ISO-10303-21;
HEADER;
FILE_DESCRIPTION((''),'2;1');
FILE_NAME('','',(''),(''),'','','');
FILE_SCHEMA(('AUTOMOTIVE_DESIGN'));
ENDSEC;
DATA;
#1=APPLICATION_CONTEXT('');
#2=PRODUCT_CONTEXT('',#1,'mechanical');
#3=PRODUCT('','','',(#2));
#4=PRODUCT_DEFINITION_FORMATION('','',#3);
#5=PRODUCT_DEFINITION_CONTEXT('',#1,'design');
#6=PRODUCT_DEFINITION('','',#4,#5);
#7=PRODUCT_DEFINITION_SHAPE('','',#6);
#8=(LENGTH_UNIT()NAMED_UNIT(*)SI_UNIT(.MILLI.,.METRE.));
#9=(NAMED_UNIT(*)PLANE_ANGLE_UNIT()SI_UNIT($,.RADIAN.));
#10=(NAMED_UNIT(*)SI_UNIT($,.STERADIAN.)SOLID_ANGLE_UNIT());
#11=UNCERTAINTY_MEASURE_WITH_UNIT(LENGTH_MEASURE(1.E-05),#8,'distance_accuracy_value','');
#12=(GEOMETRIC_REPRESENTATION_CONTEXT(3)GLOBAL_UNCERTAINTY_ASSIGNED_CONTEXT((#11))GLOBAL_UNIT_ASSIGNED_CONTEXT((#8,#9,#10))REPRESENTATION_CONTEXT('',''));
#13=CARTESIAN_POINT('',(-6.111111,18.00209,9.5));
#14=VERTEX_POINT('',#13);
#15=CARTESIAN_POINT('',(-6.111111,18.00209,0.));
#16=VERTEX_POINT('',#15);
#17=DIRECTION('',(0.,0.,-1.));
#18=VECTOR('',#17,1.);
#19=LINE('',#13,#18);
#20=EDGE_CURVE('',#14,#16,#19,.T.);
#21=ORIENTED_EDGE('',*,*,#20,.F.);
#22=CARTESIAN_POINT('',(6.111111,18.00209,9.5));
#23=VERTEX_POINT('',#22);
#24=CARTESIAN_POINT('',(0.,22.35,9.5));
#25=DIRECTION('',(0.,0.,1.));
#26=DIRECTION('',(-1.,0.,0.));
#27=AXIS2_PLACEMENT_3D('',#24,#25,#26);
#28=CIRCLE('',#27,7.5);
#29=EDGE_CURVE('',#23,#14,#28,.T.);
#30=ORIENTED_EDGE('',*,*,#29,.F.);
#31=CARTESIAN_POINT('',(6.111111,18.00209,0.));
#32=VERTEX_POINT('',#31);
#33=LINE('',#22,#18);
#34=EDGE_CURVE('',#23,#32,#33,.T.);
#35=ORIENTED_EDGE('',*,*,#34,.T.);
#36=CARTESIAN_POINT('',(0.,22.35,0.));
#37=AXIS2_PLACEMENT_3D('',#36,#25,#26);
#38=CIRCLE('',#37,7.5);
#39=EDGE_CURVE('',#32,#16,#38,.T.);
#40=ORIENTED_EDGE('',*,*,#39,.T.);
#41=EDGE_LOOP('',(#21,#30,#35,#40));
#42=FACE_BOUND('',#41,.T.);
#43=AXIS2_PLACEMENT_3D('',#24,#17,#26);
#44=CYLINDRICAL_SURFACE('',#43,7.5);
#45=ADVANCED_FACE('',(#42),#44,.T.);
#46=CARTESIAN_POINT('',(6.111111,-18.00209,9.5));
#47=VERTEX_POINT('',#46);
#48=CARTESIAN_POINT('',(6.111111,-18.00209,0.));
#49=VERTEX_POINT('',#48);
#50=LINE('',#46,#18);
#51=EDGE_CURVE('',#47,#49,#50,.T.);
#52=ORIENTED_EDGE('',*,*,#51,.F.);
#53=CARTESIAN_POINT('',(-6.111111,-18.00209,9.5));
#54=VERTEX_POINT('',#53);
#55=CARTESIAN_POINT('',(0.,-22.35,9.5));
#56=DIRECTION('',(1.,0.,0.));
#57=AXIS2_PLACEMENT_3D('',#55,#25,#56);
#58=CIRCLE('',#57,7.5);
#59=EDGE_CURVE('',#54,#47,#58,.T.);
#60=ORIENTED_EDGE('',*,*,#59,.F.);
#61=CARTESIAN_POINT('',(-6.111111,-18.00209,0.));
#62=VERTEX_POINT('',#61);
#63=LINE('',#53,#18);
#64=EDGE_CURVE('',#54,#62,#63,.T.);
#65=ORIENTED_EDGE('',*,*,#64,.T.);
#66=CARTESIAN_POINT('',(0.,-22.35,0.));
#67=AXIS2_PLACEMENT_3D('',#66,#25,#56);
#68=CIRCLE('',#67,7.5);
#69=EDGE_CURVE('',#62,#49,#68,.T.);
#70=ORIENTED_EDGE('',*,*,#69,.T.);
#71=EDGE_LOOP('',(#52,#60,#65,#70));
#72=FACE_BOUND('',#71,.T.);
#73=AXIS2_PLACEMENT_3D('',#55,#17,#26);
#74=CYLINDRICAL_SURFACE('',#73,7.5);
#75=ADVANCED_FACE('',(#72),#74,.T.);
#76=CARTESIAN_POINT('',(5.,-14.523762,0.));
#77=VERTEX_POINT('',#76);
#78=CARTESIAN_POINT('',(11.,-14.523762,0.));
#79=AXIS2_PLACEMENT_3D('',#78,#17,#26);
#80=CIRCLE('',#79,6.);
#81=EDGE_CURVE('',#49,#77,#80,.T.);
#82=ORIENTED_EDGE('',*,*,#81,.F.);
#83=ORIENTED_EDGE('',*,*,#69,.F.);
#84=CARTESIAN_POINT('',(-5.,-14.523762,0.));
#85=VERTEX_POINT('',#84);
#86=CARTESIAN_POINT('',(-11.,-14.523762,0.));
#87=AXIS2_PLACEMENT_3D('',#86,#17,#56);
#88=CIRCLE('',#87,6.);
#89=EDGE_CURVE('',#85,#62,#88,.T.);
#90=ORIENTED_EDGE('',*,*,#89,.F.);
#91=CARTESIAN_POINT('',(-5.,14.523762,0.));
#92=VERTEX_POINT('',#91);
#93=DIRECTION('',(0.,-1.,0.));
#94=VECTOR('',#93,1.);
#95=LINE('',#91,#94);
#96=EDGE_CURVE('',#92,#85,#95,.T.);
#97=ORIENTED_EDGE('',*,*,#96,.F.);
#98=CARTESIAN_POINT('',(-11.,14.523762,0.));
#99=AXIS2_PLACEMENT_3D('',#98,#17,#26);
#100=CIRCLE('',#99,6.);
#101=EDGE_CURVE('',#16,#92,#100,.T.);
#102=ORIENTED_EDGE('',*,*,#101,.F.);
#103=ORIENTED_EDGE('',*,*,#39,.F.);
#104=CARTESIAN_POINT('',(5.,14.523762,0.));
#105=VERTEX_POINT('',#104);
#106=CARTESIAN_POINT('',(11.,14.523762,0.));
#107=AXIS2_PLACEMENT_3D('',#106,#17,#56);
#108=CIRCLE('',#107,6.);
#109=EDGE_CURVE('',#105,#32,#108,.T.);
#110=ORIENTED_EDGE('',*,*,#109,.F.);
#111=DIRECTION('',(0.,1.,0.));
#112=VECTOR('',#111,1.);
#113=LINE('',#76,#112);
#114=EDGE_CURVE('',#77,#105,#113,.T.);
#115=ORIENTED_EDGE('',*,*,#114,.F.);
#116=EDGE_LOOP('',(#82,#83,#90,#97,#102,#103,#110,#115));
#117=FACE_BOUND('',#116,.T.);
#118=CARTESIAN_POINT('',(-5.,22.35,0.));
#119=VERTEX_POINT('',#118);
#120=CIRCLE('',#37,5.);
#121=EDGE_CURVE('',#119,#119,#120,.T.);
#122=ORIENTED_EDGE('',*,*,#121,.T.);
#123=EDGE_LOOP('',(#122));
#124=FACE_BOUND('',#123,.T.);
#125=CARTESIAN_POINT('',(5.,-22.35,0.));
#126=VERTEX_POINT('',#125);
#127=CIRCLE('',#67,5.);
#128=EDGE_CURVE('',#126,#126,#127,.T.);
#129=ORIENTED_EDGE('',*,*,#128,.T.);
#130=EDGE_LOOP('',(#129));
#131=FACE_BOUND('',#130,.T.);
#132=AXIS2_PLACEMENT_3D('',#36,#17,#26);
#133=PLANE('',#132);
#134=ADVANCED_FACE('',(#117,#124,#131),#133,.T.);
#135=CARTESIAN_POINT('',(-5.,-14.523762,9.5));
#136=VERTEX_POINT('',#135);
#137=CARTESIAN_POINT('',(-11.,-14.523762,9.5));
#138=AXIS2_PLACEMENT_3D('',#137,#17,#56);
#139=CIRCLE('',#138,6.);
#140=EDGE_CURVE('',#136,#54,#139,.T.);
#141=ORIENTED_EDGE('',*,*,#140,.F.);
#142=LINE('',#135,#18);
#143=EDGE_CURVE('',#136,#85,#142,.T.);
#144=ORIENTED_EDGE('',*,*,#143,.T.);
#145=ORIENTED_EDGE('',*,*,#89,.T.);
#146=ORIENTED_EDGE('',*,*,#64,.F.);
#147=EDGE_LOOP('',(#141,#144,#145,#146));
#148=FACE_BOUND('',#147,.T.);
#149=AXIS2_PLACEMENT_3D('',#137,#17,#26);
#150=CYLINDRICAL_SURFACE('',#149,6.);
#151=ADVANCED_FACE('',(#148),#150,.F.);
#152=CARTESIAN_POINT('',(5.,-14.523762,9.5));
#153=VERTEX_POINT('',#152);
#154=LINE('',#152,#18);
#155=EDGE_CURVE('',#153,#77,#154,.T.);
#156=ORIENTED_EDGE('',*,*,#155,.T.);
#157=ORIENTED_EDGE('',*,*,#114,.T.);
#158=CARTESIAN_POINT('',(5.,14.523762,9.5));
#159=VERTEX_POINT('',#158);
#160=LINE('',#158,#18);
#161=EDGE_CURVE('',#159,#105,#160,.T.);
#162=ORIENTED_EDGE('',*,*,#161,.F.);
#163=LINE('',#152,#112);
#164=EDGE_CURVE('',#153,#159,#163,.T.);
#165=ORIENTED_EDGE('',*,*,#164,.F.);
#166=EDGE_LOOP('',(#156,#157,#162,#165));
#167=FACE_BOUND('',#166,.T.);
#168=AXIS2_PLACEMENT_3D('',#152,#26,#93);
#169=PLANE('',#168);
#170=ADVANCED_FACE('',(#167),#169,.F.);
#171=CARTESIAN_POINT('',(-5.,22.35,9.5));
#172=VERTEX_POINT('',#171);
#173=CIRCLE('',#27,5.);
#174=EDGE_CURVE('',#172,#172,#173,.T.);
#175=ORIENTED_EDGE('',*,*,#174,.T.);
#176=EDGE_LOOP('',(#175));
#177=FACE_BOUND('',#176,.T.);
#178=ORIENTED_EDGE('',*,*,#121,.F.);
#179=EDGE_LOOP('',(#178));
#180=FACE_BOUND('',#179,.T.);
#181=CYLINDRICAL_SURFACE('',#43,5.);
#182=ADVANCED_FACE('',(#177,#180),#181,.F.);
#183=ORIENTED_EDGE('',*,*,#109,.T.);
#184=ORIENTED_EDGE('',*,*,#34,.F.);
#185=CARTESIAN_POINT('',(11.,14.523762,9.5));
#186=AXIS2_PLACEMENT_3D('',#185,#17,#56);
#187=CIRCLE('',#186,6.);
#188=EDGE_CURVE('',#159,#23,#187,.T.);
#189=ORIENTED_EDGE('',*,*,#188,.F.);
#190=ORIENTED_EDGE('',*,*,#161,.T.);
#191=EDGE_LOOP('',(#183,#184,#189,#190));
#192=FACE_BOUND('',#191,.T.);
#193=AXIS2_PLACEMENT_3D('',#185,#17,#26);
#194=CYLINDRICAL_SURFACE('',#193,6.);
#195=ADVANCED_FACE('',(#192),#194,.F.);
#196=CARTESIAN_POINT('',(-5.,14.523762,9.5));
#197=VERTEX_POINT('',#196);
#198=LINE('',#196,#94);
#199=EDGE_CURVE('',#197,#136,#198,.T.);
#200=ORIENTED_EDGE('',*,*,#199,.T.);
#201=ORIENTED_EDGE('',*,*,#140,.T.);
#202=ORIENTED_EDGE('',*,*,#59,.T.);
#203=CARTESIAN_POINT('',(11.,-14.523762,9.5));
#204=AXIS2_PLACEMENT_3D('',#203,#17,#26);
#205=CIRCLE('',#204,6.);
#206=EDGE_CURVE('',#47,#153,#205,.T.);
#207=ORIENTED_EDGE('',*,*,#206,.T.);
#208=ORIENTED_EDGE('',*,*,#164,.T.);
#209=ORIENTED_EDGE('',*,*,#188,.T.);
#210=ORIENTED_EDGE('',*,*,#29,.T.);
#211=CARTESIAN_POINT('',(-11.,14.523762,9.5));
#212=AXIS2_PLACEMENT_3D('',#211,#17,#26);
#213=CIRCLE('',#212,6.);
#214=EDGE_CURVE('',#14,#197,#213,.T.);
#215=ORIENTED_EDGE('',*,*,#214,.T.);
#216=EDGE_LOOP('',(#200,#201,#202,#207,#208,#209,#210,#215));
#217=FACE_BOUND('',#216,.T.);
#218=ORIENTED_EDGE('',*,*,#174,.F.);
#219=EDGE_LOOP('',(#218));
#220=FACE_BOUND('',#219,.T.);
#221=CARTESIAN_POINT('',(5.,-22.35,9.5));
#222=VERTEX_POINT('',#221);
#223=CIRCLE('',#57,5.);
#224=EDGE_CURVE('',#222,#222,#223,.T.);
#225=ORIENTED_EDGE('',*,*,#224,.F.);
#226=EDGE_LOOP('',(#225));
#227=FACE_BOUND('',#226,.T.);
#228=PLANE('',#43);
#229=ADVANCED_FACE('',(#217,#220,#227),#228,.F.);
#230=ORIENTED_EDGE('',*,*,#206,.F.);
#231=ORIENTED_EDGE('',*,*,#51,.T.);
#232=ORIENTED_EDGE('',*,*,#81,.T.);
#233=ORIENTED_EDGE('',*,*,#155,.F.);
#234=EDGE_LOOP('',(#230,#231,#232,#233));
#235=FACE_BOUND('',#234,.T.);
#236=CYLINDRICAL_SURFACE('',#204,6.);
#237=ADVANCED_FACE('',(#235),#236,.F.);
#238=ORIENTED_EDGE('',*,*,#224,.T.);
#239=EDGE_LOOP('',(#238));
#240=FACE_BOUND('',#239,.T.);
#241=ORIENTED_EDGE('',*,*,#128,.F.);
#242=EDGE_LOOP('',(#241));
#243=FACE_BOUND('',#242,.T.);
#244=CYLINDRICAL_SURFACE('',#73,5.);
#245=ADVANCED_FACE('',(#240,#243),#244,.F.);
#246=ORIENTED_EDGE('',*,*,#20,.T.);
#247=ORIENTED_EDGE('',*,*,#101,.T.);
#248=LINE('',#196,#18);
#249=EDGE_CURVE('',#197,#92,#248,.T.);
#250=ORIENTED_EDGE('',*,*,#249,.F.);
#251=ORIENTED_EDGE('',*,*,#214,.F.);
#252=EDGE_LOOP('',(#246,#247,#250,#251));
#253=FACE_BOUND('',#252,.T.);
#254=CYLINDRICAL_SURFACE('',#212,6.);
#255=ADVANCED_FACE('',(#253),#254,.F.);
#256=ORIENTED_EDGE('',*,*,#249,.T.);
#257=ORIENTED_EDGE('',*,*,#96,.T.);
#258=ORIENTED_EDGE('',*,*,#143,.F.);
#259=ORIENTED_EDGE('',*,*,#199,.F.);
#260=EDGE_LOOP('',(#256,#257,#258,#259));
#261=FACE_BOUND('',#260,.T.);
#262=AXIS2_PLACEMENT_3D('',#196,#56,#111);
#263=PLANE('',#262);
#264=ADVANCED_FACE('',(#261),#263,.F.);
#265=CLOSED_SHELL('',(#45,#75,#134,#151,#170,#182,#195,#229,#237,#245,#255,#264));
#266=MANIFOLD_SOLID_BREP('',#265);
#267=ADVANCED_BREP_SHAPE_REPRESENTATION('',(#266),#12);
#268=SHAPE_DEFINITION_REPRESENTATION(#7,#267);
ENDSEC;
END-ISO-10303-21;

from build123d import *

# Parameters (mm, degrees)
ESBO_O1_R                = 5
RESSALTO_EXTRUS_O1_DEPTH = 9.5


with BuildPart() as part:
    # Esboço1 → Ressalto-extrusão1 (new body)
    with BuildSketch(Plane.XY):
        with BuildLine():
            Line((-5, 14.523762079), (-5, -14.523762079))
            ThreePointArc((-5, -14.523762079), (-5.284523934, -16.349503937), (-6.111111111, -18.002090044))
            ThreePointArc((-6.111111111, -18.002090044), (0, -29.85), (6.111111111, -18.002090044))
            ThreePointArc((6.111111111, -18.002090044), (5.284523934, -16.349503937), (5, -14.523762079))
            Line((5, -14.523762079), (5, 14.523762079))
            ThreePointArc((5, 14.523762079), (5.284523934, 16.349503937), (6.111111111, 18.002090044))
            ThreePointArc((6.111111111, 18.002090044), (0, 29.85), (-6.111111111, 18.002090044))
            ThreePointArc((-6.111111111, 18.002090044), (-5.284523934, 16.349503937), (-5, 14.523762079))
        make_face()
        with Locations((0, -22.35)):
            Circle(ESBO_O1_R, mode=Mode.SUBTRACT)
        with Locations(Location((0, 22.35, 0), (0, 0, 180))):
            Circle(ESBO_O1_R, mode=Mode.SUBTRACT)
    extrude(amount=RESSALTO_EXTRUS_O1_DEPTH)


solid = part.part
